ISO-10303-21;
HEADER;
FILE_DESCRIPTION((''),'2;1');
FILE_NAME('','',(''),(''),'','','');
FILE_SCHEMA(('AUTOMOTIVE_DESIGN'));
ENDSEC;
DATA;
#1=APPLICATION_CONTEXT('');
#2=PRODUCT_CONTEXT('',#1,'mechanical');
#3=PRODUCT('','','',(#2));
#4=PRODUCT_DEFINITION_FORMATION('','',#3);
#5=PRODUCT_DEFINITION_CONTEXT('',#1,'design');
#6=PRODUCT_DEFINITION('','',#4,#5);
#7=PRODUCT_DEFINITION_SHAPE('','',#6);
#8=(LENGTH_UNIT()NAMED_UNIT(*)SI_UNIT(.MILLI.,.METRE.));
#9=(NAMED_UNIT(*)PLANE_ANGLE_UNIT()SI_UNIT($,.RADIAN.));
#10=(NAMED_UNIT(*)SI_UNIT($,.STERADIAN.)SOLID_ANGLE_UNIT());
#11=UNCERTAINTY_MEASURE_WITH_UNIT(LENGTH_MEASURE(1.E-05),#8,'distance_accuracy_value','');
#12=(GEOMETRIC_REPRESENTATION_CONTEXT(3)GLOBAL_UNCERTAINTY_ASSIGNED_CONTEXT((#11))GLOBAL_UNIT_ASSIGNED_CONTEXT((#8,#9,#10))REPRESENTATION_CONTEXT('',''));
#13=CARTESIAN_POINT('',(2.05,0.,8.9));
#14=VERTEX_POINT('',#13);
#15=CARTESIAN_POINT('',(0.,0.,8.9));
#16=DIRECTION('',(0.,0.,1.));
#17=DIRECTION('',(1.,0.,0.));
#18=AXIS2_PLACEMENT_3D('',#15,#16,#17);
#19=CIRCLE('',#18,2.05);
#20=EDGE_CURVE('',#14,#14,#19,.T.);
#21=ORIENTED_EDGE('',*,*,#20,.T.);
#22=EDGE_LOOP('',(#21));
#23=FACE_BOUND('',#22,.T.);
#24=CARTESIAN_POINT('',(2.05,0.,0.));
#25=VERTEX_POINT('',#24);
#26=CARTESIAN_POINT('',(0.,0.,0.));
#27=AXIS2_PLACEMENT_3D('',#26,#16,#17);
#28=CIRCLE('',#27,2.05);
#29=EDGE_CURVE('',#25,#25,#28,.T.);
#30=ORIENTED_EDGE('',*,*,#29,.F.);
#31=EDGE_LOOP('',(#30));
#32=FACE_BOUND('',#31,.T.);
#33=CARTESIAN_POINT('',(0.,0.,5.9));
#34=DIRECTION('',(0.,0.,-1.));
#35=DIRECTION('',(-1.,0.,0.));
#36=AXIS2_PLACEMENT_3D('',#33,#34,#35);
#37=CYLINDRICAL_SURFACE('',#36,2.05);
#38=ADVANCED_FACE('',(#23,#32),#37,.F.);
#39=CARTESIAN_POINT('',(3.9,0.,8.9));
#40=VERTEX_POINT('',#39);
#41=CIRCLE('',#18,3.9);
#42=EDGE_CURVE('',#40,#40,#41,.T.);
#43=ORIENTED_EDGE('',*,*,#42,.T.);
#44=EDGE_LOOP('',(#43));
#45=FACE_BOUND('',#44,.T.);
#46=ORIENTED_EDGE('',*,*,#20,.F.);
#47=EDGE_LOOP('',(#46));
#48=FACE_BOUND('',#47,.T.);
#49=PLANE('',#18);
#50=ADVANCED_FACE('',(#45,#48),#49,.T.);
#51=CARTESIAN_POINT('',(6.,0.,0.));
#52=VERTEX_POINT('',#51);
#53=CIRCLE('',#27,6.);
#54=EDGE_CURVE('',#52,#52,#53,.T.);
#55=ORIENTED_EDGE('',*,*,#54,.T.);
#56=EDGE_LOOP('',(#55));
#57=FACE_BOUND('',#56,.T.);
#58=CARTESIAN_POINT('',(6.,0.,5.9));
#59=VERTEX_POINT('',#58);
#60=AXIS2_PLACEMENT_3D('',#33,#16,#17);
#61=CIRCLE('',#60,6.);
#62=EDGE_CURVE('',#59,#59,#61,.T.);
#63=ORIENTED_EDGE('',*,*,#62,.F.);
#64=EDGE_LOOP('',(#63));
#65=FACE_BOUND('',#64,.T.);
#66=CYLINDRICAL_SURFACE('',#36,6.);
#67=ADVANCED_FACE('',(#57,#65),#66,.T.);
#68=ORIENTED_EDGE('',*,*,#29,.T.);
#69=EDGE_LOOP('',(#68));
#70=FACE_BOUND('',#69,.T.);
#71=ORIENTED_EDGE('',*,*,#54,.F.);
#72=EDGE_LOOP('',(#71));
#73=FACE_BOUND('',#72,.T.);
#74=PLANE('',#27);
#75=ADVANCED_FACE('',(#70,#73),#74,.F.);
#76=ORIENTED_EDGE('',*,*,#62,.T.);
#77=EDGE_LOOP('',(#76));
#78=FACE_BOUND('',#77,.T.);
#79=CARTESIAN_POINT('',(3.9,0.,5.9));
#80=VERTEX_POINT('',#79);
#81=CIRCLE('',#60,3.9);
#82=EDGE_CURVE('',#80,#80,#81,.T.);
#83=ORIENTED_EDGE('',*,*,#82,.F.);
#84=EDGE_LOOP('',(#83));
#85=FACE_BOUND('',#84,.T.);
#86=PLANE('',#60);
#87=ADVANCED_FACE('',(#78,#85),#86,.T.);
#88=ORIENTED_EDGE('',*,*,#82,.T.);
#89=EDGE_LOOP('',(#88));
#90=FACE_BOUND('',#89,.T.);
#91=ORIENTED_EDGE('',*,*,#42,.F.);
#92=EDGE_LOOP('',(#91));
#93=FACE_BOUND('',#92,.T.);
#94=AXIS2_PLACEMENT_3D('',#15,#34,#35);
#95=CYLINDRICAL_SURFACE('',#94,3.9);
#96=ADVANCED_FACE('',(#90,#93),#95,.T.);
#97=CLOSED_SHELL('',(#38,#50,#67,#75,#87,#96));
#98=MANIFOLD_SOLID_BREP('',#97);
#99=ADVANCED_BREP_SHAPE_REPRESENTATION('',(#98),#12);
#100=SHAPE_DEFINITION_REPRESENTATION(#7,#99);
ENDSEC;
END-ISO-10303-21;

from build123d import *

# Parameters (mm, degrees)
SKETCH1_R           = 6
SKETCH1_R_2         = 2.05
BOSS_EXTRUDE1_DEPTH = 5.9
SKETCH2_R           = 3.9
SKETCH2_R_2         = 2.05
BOSS_EXTRUDE2_DEPTH = 3


with BuildPart() as part:
    # Sketch1 → Boss-Extrude1 (new body)
    with BuildSketch(Plane.XY):
        Circle(SKETCH1_R)
        Circle(SKETCH1_R_2, mode=Mode.SUBTRACT)
    extrude(amount=BOSS_EXTRUDE1_DEPTH)

    # Sketch2 → Boss-Extrude2 (add)
    with BuildSketch(Plane.XY.offset(5.9)):
        Circle(SKETCH2_R)
        Circle(SKETCH2_R_2, mode=Mode.SUBTRACT)
    extrude(amount=BOSS_EXTRUDE2_DEPTH)


solid = part.part
